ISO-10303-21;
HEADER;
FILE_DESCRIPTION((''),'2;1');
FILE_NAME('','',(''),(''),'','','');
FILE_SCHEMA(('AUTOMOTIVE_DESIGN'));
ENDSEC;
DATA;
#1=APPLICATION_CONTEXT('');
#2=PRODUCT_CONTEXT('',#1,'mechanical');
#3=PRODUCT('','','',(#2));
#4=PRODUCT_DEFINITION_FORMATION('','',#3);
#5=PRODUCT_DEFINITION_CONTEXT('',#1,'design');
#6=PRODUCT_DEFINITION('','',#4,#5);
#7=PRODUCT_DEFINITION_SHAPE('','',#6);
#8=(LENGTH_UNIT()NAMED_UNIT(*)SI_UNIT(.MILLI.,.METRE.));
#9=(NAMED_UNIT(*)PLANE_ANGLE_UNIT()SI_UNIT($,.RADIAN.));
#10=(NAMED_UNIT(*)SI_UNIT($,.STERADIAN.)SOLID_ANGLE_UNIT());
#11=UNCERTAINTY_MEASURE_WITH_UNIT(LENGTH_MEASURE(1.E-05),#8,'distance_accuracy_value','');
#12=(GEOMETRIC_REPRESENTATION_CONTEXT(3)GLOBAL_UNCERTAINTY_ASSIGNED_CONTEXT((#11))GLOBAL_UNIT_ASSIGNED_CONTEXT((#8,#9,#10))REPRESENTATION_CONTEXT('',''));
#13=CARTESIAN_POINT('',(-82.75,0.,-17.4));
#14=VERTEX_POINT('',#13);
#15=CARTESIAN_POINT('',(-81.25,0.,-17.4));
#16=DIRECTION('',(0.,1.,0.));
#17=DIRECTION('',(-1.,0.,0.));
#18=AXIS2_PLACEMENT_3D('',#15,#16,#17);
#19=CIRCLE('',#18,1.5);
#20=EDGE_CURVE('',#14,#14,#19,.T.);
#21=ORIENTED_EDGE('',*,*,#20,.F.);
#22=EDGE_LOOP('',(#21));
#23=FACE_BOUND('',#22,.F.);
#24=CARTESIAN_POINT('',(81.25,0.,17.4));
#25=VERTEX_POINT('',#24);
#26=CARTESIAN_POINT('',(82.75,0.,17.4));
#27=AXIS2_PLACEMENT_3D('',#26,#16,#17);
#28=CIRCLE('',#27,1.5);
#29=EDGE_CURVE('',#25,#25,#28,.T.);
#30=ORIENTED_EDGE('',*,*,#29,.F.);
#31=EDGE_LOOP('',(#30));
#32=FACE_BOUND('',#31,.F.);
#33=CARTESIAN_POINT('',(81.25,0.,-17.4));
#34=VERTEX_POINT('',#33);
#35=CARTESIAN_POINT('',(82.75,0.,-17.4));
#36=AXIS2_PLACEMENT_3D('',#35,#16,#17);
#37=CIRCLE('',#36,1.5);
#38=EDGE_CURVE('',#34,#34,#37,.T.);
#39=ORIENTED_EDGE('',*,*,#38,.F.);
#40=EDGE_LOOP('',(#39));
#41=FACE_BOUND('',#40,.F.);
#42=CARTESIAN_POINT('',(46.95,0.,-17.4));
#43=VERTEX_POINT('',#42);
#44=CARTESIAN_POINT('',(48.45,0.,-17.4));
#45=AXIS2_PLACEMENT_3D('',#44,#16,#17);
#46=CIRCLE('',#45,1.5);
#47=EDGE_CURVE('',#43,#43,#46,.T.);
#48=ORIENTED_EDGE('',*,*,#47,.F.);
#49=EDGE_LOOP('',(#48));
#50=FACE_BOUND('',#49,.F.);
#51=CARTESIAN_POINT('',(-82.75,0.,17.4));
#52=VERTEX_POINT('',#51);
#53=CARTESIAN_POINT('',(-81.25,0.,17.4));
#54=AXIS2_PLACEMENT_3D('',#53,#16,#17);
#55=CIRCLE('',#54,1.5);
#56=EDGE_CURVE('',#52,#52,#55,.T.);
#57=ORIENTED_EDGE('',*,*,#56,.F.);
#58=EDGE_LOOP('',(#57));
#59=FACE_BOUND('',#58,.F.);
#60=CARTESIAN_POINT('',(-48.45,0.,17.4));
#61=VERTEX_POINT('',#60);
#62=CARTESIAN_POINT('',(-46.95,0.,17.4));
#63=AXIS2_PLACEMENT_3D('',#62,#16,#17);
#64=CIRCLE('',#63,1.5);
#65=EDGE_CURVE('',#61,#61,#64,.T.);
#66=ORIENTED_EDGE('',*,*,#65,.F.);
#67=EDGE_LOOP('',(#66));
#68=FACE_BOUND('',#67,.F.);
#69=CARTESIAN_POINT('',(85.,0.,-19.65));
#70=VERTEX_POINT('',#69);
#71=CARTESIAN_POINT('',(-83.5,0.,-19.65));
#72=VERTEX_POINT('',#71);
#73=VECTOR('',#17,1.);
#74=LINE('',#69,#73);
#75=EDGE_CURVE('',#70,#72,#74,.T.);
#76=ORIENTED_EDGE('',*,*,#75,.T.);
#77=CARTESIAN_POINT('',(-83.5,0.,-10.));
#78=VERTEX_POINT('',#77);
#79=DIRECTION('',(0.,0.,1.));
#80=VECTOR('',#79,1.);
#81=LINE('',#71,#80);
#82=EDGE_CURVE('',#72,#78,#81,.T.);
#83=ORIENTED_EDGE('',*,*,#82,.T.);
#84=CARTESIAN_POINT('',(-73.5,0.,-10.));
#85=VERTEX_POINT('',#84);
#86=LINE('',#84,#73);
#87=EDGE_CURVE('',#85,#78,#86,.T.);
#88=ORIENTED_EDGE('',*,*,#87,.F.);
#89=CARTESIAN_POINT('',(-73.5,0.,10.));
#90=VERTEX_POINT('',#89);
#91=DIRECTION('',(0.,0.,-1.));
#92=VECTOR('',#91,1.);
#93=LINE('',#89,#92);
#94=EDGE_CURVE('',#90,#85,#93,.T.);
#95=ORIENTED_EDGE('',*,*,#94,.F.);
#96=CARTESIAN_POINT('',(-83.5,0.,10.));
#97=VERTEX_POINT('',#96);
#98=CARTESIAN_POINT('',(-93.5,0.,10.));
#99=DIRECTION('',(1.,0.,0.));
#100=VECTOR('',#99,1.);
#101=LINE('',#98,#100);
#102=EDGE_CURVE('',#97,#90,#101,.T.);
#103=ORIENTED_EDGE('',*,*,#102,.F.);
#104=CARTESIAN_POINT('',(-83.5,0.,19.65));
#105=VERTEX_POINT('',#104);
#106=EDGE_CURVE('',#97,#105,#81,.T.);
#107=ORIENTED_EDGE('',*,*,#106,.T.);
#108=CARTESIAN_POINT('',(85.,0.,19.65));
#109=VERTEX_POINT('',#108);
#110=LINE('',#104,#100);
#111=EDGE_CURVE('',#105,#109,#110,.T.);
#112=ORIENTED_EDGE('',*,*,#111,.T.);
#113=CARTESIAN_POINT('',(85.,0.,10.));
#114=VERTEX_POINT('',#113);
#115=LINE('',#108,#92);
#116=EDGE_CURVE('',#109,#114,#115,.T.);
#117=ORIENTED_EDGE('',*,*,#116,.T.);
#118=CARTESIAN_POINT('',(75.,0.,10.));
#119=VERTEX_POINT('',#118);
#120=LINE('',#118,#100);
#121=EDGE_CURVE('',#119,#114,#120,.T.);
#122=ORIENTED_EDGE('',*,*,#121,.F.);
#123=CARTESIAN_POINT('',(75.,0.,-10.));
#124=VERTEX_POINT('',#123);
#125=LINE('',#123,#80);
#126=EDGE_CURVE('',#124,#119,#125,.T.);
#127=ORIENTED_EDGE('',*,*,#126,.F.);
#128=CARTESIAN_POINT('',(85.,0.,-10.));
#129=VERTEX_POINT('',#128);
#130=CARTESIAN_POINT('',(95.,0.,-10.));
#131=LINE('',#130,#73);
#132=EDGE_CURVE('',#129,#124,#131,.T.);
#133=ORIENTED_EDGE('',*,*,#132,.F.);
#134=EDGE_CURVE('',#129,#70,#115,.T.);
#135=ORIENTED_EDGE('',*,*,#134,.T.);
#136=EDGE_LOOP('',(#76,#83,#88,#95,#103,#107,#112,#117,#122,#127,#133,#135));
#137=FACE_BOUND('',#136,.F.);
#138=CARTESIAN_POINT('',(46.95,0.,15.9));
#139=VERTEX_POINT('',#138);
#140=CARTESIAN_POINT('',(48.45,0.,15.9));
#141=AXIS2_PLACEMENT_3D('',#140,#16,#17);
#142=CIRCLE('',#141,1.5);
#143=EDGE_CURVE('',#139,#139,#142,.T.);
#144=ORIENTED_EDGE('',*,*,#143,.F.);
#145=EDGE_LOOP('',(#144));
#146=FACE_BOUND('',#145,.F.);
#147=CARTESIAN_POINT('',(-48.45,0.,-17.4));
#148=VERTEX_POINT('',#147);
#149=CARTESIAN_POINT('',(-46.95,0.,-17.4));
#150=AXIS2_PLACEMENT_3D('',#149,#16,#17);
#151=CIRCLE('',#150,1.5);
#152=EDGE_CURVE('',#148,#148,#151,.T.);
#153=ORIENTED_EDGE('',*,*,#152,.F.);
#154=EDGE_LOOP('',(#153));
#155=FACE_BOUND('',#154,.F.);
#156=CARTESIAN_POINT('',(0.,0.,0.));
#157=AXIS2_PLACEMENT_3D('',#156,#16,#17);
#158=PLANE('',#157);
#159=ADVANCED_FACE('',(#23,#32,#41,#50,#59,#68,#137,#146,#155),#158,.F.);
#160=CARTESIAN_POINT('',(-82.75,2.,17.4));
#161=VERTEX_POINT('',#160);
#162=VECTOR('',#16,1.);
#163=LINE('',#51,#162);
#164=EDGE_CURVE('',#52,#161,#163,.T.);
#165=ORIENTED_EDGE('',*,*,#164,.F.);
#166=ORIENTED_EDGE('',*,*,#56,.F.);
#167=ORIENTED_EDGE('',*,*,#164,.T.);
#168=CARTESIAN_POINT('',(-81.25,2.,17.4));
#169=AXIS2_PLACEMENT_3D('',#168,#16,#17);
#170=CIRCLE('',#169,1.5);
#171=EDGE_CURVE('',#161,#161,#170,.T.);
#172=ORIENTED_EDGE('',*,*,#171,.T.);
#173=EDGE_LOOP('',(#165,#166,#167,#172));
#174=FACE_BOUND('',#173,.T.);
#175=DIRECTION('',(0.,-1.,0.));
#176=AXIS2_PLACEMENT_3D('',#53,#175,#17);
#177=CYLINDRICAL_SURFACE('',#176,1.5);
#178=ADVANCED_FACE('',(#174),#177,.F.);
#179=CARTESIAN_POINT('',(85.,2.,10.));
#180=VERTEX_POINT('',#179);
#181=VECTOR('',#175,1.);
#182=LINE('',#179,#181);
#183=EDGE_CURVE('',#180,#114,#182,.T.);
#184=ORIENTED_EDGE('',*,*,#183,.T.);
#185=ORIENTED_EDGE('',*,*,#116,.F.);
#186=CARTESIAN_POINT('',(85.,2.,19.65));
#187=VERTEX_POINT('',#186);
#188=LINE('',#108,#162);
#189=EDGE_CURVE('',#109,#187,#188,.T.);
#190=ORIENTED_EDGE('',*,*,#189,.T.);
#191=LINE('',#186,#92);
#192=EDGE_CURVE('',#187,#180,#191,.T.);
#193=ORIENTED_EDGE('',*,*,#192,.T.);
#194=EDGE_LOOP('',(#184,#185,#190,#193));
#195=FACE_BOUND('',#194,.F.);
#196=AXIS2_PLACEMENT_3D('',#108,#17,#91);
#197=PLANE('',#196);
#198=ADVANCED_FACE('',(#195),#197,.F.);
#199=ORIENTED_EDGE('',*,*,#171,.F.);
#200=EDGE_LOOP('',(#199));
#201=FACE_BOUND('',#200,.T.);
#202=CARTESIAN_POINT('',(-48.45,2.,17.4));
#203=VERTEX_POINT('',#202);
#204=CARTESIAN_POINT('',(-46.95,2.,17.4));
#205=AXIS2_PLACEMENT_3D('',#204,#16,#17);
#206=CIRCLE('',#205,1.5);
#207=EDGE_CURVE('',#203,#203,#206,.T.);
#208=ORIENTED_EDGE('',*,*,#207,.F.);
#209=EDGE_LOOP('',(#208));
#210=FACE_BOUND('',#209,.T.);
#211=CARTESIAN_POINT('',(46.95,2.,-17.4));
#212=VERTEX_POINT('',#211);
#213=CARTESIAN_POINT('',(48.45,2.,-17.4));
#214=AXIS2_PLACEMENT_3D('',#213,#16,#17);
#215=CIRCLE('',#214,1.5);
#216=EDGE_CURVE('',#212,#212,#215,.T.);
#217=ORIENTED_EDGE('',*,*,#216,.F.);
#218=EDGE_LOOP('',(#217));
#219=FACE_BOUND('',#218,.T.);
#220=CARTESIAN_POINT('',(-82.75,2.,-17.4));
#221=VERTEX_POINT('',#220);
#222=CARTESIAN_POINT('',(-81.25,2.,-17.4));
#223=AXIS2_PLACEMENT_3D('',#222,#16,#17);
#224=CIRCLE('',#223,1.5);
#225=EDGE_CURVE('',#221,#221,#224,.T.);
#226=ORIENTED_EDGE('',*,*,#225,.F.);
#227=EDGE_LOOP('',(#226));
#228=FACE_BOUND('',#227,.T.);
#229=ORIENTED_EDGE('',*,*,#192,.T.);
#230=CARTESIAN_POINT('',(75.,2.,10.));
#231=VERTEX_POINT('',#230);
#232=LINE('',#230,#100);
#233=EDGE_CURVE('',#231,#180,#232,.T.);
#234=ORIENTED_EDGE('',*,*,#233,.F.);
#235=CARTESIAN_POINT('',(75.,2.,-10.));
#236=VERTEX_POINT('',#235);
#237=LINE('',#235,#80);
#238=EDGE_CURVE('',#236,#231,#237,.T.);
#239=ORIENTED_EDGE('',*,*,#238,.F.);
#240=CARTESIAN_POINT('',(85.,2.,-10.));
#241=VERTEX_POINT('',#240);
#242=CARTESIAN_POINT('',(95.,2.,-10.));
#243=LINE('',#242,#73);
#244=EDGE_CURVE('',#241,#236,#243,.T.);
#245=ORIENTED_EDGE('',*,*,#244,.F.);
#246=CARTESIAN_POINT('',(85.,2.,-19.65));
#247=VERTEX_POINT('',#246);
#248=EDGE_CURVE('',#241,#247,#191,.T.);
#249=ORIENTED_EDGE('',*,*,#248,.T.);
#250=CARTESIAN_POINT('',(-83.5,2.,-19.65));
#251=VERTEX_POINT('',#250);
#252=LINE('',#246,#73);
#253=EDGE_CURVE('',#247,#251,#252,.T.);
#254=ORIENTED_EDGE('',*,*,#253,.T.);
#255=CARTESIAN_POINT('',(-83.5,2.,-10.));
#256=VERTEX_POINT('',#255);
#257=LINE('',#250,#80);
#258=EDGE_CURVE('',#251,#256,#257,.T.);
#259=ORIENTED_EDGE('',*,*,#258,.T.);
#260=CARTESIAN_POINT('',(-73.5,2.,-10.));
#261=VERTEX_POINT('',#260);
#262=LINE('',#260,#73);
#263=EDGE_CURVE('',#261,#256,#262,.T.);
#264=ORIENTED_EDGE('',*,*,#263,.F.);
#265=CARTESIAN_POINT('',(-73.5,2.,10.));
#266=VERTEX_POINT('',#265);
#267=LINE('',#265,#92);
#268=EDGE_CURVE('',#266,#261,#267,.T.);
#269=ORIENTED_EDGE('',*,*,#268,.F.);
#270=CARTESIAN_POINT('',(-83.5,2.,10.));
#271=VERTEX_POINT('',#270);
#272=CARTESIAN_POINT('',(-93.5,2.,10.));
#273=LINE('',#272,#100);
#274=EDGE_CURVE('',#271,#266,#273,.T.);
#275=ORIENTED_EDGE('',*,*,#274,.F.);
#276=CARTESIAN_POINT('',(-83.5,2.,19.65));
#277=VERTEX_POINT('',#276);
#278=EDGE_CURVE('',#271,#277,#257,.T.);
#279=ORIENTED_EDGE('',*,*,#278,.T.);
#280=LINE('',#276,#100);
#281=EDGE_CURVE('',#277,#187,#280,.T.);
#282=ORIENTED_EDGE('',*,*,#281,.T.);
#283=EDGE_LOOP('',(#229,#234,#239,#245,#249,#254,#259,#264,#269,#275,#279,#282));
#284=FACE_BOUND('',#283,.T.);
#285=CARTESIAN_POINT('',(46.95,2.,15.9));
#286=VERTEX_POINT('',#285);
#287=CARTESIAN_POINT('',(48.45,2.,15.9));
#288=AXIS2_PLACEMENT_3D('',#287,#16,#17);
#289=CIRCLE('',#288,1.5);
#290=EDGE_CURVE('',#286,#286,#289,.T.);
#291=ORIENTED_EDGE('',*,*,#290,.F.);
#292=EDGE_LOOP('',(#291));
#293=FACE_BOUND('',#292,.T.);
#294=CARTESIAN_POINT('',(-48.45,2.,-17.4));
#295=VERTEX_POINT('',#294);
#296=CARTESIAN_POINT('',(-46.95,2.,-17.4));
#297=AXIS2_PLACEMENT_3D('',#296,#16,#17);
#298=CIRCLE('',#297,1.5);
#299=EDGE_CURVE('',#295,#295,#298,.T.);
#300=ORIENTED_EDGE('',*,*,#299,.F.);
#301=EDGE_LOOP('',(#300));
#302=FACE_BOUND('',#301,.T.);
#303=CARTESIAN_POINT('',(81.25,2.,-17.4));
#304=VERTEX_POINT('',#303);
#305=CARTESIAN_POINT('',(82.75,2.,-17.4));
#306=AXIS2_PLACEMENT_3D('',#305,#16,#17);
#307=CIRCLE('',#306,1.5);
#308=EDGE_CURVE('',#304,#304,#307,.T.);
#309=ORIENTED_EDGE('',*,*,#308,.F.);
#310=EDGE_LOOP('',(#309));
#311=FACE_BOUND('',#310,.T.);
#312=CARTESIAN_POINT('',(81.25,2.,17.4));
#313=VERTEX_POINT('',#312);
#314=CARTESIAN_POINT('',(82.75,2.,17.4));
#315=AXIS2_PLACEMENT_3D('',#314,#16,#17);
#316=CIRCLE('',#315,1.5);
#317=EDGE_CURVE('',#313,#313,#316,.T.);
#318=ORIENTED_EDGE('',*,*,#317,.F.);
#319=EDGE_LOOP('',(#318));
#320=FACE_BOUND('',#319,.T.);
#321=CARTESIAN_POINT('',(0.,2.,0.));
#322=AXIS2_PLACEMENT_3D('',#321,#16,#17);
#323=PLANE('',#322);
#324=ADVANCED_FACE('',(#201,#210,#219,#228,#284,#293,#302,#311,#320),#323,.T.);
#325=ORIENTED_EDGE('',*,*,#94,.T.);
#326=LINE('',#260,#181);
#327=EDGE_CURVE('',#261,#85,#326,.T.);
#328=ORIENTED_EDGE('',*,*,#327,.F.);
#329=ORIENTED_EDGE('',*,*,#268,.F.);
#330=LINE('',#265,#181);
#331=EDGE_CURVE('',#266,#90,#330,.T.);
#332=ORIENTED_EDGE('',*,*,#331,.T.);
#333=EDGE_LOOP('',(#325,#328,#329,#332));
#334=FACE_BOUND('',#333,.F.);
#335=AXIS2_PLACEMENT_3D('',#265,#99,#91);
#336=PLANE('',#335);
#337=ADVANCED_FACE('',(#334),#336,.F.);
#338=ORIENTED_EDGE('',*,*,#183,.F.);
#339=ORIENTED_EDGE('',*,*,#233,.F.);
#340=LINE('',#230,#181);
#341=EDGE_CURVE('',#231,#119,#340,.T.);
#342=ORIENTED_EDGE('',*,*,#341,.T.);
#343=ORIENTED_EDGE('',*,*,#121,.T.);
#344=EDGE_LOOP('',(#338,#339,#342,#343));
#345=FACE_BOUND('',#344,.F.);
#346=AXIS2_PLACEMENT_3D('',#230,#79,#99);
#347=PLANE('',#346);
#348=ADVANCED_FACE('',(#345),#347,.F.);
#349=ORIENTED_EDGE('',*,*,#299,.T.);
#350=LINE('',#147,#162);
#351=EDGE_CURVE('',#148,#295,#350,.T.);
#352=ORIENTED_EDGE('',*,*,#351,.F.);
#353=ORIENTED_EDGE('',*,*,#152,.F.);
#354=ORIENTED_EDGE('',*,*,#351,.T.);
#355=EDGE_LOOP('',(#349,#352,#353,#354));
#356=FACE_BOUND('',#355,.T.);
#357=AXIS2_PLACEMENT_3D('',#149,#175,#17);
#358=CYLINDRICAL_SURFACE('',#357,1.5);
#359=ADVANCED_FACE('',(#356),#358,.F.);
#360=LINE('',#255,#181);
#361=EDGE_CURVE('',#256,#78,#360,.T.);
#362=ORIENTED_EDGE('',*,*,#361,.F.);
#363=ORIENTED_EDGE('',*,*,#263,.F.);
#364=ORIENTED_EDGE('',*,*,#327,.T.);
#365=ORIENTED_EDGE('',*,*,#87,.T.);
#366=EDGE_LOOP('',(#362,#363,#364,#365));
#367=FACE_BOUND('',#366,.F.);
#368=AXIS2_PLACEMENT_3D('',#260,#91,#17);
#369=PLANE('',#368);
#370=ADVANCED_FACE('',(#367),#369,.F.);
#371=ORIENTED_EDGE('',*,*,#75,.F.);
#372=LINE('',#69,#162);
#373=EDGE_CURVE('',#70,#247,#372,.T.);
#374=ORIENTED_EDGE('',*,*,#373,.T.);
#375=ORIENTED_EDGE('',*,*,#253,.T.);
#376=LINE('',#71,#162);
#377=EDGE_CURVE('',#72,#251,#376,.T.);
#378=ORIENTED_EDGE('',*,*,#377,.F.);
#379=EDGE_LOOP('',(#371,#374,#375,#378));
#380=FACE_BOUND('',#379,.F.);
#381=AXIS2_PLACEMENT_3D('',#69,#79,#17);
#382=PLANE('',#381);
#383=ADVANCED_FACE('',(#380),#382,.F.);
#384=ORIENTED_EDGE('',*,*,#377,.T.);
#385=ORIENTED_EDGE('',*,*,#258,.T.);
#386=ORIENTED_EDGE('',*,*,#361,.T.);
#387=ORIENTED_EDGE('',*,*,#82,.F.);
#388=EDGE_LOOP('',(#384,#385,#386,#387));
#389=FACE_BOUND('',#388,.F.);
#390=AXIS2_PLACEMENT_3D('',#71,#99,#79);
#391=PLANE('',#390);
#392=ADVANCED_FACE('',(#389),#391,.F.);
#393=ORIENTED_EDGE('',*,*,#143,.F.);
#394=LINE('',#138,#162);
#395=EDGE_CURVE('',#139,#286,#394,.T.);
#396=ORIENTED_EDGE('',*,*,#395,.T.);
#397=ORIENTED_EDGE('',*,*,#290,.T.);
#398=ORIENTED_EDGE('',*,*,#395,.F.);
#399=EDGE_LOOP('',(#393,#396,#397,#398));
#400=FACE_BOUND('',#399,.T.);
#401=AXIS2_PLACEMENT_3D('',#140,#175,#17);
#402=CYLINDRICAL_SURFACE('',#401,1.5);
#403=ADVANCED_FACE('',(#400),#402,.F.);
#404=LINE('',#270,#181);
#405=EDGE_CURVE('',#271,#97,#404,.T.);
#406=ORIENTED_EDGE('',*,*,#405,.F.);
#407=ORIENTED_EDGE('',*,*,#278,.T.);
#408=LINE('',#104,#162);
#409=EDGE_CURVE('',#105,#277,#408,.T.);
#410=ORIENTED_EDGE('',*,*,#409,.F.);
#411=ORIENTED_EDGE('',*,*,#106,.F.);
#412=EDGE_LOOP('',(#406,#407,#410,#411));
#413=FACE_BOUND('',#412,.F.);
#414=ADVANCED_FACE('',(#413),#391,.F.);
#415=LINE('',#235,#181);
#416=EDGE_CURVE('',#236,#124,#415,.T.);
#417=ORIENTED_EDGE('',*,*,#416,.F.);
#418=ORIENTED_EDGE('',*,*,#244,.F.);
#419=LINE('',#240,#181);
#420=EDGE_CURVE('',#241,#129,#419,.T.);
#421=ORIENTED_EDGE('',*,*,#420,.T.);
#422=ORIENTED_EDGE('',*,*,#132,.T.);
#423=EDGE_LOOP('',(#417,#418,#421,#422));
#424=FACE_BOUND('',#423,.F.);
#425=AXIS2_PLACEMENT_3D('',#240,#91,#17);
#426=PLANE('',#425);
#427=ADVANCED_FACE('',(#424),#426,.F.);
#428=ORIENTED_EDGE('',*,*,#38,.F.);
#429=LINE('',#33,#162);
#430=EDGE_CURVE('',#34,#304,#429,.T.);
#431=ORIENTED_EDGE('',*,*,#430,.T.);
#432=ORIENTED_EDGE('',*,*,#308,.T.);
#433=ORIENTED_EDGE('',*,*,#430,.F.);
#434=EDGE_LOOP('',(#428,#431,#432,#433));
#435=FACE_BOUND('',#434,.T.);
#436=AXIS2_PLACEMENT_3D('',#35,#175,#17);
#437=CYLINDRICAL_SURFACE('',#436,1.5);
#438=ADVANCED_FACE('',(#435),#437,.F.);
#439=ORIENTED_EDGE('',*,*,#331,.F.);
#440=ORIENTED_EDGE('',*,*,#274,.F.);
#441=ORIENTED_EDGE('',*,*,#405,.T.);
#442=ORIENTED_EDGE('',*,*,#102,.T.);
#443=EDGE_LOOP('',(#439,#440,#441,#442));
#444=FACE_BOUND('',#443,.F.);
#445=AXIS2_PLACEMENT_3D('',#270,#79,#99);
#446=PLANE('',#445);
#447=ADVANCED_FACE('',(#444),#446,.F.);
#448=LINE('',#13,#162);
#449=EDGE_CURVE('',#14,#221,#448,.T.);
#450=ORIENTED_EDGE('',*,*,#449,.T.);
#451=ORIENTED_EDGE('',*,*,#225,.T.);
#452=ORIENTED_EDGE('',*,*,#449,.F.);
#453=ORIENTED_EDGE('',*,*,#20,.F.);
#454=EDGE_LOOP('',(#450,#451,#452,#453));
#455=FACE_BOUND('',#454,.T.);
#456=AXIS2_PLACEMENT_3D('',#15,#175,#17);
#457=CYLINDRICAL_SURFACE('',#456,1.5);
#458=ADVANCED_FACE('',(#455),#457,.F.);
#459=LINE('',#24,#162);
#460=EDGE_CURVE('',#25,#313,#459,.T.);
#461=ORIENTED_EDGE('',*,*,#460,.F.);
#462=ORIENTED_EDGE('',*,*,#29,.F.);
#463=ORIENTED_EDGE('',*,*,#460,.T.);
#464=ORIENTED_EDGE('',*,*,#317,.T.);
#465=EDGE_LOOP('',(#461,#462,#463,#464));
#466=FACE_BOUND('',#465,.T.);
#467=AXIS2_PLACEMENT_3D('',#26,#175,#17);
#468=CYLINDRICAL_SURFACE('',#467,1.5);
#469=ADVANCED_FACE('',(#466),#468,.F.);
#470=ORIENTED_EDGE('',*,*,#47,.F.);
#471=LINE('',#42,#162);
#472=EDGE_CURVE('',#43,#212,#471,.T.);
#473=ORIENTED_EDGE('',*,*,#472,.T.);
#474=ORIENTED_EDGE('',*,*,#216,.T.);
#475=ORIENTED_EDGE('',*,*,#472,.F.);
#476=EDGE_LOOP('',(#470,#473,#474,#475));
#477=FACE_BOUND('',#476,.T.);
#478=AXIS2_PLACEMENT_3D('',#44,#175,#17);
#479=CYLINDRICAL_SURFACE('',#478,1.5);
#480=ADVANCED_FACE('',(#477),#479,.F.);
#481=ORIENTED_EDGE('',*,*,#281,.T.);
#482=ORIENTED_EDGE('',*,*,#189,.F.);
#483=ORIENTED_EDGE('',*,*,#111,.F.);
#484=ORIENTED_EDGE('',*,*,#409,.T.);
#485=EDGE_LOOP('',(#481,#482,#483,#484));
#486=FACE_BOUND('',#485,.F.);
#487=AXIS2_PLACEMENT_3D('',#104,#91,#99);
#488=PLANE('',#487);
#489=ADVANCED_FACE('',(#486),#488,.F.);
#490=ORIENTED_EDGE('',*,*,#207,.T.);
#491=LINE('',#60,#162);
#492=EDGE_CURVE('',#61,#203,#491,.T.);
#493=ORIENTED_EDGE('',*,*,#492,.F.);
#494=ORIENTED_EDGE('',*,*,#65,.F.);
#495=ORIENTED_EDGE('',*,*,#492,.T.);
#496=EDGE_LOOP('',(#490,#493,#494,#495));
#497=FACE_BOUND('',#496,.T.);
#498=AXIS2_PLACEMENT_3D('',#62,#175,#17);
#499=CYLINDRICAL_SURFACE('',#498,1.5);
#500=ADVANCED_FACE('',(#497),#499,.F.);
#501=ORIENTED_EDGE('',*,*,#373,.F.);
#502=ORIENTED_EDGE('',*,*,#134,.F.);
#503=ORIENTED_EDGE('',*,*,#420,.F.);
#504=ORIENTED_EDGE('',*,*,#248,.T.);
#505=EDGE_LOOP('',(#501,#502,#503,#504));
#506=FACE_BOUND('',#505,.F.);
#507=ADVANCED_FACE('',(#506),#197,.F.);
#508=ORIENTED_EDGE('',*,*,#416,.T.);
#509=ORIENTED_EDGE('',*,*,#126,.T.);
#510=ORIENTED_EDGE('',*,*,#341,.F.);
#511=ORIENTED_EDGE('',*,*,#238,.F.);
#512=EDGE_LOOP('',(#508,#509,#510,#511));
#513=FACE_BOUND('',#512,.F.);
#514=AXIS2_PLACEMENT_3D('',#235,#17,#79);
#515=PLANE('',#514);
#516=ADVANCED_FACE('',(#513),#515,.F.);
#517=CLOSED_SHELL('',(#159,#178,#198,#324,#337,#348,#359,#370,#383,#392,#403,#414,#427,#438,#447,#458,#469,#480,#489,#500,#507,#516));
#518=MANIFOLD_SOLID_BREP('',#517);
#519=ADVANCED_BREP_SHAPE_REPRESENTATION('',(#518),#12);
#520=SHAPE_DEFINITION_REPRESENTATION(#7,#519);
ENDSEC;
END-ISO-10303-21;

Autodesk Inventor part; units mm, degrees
ref_plane "YZ Plane" through (0, 0, 0) normal (1, 0, 0) x (0, 1, 0)
ref_plane "XZ Plane" through (0, 0, 0) normal (0, 1, 0) x (-1, 0, 0)
ref_plane "XY Plane" through (0, 0, 0) normal (0, 0, 1) x (1, 0, 0)
sketch "Sketch1" plane through (0, 0, 0) normal (0, 1, 0) x (-1, 0, 0)
  line L0 (83.5, 19.65) -> (-85, 19.65)
  line L1 (-85, 19.65) -> (-85, -19.65)
  line L2 (-85, -19.65) -> (83.5, -19.65)
  line L3 (83.5, -19.65) -> (83.5, 19.65)
  line L4 (19.05, 0) -> (-17.4625, 0) construction
  line L5 (-0.75, 11.1125) -> (-0.75, -12.7) construction
  circle A0 centre (-82.75, 17.4) radius 1.5
  circle A1 centre (-82.75, -17.4) radius 1.5
  circle A2 centre (81.25, 17.4) radius 1.5
  circle A3 centre (81.25, -17.4) radius 1.5
  circle A4 centre (46.95, 17.4) radius 1.5
  circle A5 centre (46.95, -17.4) radius 1.5
  circle A6 centre (-48.45, -17.4) radius 1.5
  circle A7 centre (-48.45, 15.9) radius 1.5
  point P0 (0, 0)
  dimension "d0" = 168.5
  dimension "d1" = 39.3
  dimension "d2" = 3
  dimension "d3" = 2.25
  dimension "d4" = 2.25
  dimension "d7" = 2.25
  dimension "d16" = 3
  dimension "d17" = 34.3
  dimension "d18" = 3
  dimension "d19" = 3
  dimension "d20" = 34.3
  dimension "d21" = 3
extrude "Extrusion1" add sketch "Sketch1" along normal blind 2 contours L3 L2 L1 L0 | A2 | A3 | A4 | A5 | A6 | A7
extrude "Extrusion2" cut sketch "Sketch1" along normal blind 2 contours A2 | A3
sketch "Sketch2" plane through (0, 2, 0) normal (0, 1, 0) x (1, 0, 0)
  line L0 (-93.5, -10) -> (-73.5, -10)
  line L1 (-73.5, -10) -> (-73.5, 10)
  line L2 (-73.5, 10) -> (-93.5, 10)
  line L3 (-93.5, 10) -> (-93.5, -10)
  line L4 (-83.5, 19.65) -> (-83.5, -19.65) projected
  line L5 (-93.5, -10) -> (-73.5, 10) construction
  line L6 (-73.5, -10) -> (-93.5, 10) construction
  line L7 (75, -10) -> (95, -10)
  line L8 (95, -10) -> (95, 10)
  line L9 (95, 10) -> (75, 10)
  line L10 (75, 10) -> (75, -10)
  line L11 (85, -19.65) -> (85, 19.65) projected
  line L12 (75, -10) -> (95, 10) construction
  line L13 (95, -10) -> (75, 10) construction
  point P0 (0, 0)
  point P1 (-83.5, 0)
  point P2 (85, 0)
  point P3 (-83.5, 10)
  point P4 (-83.5, -10)
  point P5 (85, -10)
  point P6 (85, 10)
  dimension "d10" = 20
  dimension "d11" = 20
  dimension "d12" = 20
  dimension "d13" = 20
extrude "Extrusion3" cut sketch "Sketch2" against normal blind 2 contours L4 L2 L1 L0 | L10 L9 L11 L7
sketch "Sketch3" plane through (0, 2, 0) normal (0, 1, 0) x (1, 0, 0)
  point P0 (0, 0)
extrude "Extrusion4" cut sketch "Sketch1" along normal blind 2 contours A4 | A5 | A6 | A7
properties part number "Casis Tengah_3DPrint"
